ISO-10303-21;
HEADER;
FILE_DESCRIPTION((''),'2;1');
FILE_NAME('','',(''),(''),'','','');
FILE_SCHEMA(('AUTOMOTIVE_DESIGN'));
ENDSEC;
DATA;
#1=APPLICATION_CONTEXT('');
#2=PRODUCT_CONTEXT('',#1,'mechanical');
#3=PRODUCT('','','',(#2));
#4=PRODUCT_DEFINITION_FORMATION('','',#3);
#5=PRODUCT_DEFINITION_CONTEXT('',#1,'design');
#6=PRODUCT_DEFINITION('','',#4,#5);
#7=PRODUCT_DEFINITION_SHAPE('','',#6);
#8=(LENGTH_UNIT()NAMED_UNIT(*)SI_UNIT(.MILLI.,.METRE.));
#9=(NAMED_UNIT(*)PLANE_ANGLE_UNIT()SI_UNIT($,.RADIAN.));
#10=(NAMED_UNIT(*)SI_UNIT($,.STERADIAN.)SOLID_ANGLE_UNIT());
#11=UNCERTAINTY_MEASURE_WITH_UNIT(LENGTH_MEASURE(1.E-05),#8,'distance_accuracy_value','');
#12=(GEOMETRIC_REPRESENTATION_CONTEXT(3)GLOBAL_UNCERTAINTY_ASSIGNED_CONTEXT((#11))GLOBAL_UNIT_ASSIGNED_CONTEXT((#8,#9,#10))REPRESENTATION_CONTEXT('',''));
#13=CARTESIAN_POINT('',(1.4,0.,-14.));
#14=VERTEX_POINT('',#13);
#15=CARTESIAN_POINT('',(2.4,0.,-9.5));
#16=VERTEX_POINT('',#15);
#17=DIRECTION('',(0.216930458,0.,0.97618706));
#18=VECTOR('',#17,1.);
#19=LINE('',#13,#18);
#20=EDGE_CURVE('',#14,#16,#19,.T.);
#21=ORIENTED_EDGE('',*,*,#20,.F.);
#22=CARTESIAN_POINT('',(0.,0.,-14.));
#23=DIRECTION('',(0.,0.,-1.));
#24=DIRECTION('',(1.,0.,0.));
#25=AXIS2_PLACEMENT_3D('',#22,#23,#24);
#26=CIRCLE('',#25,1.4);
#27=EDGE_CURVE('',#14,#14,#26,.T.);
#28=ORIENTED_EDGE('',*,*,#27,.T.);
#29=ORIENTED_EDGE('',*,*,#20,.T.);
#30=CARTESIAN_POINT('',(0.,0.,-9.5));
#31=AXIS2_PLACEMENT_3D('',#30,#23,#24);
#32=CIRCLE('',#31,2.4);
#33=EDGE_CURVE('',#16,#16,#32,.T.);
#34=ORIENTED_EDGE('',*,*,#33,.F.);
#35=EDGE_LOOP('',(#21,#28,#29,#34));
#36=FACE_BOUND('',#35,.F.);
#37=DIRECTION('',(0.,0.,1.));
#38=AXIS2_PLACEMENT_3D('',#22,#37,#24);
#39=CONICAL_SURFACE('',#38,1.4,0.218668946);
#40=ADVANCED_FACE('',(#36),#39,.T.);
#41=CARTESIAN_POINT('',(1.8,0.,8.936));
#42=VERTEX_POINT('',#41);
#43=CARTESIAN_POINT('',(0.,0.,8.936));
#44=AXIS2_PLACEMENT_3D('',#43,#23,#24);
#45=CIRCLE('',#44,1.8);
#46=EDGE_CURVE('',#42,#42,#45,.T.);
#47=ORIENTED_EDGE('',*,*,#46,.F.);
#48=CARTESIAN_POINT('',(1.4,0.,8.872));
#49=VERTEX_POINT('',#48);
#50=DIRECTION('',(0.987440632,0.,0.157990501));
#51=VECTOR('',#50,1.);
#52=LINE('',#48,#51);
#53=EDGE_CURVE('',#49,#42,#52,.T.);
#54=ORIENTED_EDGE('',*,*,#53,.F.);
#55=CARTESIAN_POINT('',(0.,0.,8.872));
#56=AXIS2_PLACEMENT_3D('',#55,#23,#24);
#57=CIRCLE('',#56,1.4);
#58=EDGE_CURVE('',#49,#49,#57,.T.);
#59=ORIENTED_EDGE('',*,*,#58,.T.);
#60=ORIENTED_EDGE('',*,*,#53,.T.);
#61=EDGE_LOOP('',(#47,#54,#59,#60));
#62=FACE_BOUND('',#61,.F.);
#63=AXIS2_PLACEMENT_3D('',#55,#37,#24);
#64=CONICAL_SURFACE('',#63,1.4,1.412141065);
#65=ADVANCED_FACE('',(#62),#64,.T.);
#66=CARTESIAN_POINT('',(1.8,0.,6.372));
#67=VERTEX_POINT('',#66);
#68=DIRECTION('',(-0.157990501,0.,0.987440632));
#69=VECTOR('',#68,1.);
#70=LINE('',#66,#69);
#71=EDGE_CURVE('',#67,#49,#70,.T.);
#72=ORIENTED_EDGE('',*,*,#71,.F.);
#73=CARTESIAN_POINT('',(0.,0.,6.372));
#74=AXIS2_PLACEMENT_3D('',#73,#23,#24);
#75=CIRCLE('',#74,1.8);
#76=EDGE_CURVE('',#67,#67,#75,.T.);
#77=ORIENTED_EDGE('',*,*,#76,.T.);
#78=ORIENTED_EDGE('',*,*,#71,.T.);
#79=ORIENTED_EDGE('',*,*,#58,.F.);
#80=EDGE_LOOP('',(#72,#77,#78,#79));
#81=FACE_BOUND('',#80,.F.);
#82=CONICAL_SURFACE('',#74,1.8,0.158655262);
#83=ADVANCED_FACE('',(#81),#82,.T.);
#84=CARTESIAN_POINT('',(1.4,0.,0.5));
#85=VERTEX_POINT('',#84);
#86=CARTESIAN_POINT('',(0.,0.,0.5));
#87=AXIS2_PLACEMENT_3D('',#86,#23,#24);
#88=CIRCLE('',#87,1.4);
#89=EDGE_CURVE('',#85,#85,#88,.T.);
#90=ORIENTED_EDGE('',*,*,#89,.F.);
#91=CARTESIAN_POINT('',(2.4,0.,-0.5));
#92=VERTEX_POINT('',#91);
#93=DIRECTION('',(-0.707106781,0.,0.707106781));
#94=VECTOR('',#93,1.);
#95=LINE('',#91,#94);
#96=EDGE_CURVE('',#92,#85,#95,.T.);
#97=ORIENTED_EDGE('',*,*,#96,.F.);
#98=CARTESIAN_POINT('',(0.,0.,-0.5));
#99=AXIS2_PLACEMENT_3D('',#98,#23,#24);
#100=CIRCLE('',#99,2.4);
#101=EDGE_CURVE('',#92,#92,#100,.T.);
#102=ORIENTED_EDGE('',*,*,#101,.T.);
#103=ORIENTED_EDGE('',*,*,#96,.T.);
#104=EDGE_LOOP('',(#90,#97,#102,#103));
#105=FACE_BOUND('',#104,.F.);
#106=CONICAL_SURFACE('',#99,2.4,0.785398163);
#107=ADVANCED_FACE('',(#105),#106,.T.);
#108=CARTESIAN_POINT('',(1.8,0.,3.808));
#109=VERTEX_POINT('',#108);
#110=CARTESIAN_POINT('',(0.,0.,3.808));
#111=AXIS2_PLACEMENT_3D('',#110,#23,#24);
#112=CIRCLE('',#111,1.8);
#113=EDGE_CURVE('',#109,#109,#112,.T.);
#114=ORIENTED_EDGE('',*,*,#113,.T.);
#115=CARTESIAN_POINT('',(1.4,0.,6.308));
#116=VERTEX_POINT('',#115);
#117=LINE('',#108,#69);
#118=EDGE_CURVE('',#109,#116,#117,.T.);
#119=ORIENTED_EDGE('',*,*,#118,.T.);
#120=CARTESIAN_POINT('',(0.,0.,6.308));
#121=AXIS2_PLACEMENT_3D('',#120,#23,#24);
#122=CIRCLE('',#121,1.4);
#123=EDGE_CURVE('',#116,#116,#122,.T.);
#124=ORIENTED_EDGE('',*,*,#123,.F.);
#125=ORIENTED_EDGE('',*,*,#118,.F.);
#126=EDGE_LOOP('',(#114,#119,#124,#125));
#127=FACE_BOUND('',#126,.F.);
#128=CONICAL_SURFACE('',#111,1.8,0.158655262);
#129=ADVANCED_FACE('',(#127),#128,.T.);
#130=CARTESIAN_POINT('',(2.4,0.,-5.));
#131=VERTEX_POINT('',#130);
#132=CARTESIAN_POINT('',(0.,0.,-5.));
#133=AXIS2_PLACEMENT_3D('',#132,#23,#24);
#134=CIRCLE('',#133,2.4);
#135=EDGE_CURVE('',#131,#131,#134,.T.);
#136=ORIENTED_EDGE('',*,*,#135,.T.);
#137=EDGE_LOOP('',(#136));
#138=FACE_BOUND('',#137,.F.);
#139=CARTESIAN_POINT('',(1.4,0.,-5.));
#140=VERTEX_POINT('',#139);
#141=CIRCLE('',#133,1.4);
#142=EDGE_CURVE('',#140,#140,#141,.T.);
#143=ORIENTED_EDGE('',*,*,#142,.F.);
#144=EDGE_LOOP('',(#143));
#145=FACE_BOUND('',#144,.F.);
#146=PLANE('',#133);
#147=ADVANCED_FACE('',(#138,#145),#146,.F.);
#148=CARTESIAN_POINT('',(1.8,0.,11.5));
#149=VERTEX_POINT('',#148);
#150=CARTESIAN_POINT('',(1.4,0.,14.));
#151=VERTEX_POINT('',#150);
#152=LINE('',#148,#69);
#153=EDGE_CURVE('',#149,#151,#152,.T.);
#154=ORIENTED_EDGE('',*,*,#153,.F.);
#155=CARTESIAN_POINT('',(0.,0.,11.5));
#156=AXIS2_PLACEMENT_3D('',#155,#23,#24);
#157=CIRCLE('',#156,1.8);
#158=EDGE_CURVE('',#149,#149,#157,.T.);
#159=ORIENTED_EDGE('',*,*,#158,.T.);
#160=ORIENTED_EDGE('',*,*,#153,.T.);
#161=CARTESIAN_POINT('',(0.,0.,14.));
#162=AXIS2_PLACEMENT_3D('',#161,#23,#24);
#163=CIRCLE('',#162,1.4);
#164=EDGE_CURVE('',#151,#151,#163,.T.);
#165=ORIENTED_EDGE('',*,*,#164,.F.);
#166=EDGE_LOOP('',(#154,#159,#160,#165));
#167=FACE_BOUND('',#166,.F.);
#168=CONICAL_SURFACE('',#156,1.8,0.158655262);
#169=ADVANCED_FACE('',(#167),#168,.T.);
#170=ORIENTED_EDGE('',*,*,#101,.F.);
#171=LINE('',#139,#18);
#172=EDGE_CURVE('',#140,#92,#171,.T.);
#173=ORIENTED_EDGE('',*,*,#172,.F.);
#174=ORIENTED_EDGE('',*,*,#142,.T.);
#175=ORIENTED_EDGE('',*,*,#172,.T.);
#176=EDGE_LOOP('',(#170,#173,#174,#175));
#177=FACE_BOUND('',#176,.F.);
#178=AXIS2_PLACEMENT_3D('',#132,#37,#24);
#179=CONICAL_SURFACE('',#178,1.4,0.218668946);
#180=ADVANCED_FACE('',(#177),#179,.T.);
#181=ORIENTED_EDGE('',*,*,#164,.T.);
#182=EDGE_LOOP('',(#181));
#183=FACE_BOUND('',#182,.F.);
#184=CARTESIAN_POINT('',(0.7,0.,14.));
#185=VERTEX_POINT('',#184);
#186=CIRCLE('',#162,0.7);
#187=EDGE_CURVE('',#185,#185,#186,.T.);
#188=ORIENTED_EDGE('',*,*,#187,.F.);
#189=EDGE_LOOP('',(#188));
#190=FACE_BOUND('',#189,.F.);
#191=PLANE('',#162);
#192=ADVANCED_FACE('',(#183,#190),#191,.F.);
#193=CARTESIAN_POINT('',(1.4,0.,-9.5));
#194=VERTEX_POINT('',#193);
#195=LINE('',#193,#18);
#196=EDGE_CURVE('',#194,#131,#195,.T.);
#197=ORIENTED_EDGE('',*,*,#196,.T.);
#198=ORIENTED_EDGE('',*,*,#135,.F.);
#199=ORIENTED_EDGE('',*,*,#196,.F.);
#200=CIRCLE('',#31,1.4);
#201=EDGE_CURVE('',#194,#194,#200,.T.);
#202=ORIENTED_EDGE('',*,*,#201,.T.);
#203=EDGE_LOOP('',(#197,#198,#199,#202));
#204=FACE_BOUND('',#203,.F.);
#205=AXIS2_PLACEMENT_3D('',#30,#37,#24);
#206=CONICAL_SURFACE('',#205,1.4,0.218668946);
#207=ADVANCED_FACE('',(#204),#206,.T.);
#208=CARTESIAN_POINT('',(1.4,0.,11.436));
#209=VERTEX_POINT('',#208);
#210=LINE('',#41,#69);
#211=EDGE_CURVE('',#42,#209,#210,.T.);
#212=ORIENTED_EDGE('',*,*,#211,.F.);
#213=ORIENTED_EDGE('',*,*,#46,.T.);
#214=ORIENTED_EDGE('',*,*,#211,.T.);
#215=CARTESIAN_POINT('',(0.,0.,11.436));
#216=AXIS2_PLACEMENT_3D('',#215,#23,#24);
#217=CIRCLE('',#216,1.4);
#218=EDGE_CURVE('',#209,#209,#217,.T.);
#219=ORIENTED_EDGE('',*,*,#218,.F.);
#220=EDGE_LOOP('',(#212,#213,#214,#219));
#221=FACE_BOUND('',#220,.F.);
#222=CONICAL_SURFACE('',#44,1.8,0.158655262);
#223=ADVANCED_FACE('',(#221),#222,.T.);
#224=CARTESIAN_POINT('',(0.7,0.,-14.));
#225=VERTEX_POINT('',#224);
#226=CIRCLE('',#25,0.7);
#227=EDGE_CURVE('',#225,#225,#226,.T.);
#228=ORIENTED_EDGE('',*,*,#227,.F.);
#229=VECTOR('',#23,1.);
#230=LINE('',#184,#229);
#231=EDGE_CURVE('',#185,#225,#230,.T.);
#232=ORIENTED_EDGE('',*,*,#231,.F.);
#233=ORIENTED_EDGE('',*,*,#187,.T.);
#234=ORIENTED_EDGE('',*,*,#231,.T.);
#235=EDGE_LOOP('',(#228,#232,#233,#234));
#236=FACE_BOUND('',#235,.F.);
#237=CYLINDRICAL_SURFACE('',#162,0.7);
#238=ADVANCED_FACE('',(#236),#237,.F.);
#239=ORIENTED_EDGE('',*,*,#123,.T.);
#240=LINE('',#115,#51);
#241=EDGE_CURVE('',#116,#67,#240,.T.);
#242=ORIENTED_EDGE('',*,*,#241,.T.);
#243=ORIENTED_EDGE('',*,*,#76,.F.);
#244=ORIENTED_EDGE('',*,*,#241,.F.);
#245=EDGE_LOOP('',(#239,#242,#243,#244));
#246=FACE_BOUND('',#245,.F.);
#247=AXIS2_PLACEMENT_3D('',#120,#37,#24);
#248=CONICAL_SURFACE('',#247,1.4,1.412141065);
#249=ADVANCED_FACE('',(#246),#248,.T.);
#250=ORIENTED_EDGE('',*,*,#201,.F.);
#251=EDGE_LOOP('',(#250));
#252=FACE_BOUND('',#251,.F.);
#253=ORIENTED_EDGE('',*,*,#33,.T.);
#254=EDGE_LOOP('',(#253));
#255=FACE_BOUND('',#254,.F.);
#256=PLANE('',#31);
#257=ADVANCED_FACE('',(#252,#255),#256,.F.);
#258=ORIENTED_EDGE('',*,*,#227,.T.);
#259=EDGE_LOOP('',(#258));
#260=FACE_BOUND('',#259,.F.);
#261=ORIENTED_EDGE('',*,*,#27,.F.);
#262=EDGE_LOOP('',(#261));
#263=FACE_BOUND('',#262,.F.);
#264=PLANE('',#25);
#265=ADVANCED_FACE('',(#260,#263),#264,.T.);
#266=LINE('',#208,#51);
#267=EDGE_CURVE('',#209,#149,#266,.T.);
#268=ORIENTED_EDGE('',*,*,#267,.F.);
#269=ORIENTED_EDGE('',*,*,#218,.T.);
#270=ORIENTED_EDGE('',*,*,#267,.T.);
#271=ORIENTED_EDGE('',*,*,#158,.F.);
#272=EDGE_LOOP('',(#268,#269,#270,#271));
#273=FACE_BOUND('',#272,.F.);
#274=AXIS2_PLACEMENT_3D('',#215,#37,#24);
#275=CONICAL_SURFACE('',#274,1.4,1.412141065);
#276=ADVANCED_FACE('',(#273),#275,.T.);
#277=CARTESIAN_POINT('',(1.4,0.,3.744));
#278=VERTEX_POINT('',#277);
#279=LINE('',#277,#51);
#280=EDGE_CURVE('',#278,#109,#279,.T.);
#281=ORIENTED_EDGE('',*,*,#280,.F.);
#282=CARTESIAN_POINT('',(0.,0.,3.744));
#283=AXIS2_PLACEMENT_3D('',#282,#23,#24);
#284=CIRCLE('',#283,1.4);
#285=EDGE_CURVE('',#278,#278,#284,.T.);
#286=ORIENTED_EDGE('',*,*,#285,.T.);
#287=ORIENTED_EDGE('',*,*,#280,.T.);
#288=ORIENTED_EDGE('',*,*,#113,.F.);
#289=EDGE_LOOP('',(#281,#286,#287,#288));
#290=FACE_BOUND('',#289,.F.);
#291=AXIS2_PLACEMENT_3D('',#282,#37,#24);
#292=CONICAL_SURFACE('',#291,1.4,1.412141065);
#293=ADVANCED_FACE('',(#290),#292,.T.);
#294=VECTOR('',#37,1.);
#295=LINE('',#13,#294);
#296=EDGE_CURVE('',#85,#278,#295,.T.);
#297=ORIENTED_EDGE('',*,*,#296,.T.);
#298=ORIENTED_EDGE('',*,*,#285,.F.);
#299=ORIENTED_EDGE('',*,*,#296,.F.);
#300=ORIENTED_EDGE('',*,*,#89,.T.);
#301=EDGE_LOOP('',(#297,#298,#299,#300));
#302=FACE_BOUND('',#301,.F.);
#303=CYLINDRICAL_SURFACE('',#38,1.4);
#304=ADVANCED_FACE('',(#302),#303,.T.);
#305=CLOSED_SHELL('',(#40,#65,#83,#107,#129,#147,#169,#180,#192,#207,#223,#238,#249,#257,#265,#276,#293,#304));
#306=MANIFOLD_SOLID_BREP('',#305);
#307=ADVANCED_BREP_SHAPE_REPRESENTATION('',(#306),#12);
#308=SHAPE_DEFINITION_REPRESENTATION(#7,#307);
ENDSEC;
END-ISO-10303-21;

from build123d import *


with BuildPart() as f1:
    # F0 (on Front) → F1 (revolve)
    with BuildSketch(Plane.XZ):
        Polygon((1.4, 14), (0.7, 14), (0.7, -14), (1.4, -14), (1.4, -9.5), (1.4, -5), (1.4, -0.5), (1.4, 0.5), (1.4, 3.744), (1.4, 6.308), (1.4, 8.872), (1.4, 11.436), align=None)
        Polygon((1.8, 11.5), (1.4, 14), (1.4, 11.436), align=None)
        Polygon((1.8, 8.936), (1.4, 11.436), (1.4, 8.872), align=None)
        Polygon((1.8, 6.372), (1.4, 8.872), (1.4, 6.308), align=None)
        Polygon((1.8, 3.808), (1.4, 6.308), (1.4, 3.744), align=None)
        Polygon((1.4, 0.5), (1.4, -0.5), (2.4, -0.5), align=None)
        Polygon((1.4, -0.5), (1.4, -5), (2.4, -0.5), align=None)
        Polygon((1.4, -5), (1.4, -9.5), (2.4, -5), align=None)
        Polygon((1.4, -9.5), (1.4, -14), (2.4, -9.5), align=None)
    revolve(axis=Axis((0, 0, 0.375825), (0, 0, -1)))


solid = f1.part
